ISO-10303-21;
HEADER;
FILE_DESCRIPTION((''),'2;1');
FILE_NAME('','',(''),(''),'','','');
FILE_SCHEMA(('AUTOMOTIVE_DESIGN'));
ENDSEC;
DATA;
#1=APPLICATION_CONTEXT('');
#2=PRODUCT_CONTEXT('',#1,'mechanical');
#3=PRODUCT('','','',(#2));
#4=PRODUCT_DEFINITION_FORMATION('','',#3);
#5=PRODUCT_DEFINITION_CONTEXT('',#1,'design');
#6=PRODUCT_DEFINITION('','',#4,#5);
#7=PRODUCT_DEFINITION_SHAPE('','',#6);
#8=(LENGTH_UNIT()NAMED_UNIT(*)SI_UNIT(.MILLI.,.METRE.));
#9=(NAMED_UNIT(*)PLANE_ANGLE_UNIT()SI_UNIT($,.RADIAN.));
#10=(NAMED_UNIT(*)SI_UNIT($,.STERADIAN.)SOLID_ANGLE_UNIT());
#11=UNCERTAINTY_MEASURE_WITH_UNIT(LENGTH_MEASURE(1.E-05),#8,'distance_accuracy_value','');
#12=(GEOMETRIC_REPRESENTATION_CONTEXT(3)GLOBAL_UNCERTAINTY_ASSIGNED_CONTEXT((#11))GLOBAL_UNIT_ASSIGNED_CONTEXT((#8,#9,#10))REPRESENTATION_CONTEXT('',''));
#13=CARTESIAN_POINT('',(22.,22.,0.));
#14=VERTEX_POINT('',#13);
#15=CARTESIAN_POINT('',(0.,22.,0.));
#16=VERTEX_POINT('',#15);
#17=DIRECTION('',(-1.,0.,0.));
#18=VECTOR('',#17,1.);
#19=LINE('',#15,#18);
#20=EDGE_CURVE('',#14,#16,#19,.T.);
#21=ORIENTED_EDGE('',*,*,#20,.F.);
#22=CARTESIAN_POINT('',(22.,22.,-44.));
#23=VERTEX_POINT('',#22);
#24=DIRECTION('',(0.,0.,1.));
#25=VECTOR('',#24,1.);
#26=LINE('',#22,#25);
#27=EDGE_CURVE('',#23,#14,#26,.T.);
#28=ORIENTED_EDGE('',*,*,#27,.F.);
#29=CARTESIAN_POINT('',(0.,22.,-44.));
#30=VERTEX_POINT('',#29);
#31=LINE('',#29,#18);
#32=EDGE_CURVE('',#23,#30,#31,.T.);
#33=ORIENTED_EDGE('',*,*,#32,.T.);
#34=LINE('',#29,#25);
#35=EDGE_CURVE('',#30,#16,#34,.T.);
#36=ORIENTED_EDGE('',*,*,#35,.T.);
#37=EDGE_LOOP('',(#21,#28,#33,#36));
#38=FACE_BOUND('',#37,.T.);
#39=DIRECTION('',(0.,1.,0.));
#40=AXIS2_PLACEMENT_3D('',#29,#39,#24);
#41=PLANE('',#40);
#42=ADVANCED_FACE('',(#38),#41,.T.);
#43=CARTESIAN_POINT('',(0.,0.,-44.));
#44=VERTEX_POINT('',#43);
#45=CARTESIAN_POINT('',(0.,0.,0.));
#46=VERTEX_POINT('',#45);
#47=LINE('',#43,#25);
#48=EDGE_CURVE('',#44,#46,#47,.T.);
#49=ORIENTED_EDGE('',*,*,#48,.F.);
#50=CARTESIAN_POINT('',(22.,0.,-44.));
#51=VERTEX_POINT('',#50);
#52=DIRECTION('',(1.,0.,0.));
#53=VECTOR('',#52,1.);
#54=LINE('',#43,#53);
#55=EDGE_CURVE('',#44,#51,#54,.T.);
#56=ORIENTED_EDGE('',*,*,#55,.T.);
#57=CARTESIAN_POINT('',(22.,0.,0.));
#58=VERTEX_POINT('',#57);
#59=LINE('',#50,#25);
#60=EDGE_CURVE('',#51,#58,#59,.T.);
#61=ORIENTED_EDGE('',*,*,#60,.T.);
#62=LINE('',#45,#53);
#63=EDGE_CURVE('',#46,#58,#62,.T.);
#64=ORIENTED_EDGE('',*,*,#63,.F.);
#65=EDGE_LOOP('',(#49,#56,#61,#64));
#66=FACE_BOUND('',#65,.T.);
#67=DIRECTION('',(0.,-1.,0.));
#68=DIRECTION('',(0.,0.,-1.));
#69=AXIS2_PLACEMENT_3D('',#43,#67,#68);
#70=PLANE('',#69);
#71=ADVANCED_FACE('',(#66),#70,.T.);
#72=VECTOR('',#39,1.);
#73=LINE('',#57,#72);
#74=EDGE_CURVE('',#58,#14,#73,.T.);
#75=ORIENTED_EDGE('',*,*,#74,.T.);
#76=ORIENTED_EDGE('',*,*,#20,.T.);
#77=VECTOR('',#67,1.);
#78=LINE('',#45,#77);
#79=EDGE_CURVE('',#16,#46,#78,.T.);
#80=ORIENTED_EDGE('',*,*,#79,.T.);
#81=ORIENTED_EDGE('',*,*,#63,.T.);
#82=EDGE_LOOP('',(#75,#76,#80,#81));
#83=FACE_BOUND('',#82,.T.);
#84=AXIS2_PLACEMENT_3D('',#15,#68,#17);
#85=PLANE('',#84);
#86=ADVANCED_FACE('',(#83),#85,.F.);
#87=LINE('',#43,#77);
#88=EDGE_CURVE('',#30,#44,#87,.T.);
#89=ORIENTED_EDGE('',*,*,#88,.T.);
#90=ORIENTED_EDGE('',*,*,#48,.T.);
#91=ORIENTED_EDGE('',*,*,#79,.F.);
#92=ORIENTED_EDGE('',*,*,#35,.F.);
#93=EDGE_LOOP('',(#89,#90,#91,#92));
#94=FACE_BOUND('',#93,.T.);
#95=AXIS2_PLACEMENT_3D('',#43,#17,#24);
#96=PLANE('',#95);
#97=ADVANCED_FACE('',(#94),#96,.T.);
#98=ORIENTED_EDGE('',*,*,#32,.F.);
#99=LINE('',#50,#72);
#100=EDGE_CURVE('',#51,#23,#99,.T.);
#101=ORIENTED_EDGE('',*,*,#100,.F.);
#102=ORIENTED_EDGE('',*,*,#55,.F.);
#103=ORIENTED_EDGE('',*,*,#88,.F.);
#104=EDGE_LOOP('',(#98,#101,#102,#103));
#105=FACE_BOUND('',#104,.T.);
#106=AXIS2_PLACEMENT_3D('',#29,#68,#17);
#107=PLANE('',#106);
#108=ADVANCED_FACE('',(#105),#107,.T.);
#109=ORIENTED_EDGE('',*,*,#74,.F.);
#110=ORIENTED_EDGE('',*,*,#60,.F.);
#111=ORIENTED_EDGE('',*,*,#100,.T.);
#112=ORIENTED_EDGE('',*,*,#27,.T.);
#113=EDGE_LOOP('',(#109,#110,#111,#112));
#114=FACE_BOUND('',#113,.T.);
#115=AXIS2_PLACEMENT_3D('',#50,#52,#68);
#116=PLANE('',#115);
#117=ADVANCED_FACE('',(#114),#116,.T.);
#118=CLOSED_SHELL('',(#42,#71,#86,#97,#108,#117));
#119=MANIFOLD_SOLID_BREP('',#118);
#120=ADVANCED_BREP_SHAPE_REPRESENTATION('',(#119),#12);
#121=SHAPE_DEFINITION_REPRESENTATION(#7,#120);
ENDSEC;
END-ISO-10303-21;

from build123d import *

# Parameters (mm, degrees)
ESQUISSE1_W      = 22
ESQUISSE1_H      = 22
EXTRUSION1_DEPTH = 44


with BuildPart() as part:
    # Esquisse1 → Extrusion1 (new body)
    with BuildSketch(Plane.XY):
        with Locations((11, 11)):
            Rectangle(ESQUISSE1_W, ESQUISSE1_H)
    extrude(amount=-EXTRUSION1_DEPTH)


solid = part.part
